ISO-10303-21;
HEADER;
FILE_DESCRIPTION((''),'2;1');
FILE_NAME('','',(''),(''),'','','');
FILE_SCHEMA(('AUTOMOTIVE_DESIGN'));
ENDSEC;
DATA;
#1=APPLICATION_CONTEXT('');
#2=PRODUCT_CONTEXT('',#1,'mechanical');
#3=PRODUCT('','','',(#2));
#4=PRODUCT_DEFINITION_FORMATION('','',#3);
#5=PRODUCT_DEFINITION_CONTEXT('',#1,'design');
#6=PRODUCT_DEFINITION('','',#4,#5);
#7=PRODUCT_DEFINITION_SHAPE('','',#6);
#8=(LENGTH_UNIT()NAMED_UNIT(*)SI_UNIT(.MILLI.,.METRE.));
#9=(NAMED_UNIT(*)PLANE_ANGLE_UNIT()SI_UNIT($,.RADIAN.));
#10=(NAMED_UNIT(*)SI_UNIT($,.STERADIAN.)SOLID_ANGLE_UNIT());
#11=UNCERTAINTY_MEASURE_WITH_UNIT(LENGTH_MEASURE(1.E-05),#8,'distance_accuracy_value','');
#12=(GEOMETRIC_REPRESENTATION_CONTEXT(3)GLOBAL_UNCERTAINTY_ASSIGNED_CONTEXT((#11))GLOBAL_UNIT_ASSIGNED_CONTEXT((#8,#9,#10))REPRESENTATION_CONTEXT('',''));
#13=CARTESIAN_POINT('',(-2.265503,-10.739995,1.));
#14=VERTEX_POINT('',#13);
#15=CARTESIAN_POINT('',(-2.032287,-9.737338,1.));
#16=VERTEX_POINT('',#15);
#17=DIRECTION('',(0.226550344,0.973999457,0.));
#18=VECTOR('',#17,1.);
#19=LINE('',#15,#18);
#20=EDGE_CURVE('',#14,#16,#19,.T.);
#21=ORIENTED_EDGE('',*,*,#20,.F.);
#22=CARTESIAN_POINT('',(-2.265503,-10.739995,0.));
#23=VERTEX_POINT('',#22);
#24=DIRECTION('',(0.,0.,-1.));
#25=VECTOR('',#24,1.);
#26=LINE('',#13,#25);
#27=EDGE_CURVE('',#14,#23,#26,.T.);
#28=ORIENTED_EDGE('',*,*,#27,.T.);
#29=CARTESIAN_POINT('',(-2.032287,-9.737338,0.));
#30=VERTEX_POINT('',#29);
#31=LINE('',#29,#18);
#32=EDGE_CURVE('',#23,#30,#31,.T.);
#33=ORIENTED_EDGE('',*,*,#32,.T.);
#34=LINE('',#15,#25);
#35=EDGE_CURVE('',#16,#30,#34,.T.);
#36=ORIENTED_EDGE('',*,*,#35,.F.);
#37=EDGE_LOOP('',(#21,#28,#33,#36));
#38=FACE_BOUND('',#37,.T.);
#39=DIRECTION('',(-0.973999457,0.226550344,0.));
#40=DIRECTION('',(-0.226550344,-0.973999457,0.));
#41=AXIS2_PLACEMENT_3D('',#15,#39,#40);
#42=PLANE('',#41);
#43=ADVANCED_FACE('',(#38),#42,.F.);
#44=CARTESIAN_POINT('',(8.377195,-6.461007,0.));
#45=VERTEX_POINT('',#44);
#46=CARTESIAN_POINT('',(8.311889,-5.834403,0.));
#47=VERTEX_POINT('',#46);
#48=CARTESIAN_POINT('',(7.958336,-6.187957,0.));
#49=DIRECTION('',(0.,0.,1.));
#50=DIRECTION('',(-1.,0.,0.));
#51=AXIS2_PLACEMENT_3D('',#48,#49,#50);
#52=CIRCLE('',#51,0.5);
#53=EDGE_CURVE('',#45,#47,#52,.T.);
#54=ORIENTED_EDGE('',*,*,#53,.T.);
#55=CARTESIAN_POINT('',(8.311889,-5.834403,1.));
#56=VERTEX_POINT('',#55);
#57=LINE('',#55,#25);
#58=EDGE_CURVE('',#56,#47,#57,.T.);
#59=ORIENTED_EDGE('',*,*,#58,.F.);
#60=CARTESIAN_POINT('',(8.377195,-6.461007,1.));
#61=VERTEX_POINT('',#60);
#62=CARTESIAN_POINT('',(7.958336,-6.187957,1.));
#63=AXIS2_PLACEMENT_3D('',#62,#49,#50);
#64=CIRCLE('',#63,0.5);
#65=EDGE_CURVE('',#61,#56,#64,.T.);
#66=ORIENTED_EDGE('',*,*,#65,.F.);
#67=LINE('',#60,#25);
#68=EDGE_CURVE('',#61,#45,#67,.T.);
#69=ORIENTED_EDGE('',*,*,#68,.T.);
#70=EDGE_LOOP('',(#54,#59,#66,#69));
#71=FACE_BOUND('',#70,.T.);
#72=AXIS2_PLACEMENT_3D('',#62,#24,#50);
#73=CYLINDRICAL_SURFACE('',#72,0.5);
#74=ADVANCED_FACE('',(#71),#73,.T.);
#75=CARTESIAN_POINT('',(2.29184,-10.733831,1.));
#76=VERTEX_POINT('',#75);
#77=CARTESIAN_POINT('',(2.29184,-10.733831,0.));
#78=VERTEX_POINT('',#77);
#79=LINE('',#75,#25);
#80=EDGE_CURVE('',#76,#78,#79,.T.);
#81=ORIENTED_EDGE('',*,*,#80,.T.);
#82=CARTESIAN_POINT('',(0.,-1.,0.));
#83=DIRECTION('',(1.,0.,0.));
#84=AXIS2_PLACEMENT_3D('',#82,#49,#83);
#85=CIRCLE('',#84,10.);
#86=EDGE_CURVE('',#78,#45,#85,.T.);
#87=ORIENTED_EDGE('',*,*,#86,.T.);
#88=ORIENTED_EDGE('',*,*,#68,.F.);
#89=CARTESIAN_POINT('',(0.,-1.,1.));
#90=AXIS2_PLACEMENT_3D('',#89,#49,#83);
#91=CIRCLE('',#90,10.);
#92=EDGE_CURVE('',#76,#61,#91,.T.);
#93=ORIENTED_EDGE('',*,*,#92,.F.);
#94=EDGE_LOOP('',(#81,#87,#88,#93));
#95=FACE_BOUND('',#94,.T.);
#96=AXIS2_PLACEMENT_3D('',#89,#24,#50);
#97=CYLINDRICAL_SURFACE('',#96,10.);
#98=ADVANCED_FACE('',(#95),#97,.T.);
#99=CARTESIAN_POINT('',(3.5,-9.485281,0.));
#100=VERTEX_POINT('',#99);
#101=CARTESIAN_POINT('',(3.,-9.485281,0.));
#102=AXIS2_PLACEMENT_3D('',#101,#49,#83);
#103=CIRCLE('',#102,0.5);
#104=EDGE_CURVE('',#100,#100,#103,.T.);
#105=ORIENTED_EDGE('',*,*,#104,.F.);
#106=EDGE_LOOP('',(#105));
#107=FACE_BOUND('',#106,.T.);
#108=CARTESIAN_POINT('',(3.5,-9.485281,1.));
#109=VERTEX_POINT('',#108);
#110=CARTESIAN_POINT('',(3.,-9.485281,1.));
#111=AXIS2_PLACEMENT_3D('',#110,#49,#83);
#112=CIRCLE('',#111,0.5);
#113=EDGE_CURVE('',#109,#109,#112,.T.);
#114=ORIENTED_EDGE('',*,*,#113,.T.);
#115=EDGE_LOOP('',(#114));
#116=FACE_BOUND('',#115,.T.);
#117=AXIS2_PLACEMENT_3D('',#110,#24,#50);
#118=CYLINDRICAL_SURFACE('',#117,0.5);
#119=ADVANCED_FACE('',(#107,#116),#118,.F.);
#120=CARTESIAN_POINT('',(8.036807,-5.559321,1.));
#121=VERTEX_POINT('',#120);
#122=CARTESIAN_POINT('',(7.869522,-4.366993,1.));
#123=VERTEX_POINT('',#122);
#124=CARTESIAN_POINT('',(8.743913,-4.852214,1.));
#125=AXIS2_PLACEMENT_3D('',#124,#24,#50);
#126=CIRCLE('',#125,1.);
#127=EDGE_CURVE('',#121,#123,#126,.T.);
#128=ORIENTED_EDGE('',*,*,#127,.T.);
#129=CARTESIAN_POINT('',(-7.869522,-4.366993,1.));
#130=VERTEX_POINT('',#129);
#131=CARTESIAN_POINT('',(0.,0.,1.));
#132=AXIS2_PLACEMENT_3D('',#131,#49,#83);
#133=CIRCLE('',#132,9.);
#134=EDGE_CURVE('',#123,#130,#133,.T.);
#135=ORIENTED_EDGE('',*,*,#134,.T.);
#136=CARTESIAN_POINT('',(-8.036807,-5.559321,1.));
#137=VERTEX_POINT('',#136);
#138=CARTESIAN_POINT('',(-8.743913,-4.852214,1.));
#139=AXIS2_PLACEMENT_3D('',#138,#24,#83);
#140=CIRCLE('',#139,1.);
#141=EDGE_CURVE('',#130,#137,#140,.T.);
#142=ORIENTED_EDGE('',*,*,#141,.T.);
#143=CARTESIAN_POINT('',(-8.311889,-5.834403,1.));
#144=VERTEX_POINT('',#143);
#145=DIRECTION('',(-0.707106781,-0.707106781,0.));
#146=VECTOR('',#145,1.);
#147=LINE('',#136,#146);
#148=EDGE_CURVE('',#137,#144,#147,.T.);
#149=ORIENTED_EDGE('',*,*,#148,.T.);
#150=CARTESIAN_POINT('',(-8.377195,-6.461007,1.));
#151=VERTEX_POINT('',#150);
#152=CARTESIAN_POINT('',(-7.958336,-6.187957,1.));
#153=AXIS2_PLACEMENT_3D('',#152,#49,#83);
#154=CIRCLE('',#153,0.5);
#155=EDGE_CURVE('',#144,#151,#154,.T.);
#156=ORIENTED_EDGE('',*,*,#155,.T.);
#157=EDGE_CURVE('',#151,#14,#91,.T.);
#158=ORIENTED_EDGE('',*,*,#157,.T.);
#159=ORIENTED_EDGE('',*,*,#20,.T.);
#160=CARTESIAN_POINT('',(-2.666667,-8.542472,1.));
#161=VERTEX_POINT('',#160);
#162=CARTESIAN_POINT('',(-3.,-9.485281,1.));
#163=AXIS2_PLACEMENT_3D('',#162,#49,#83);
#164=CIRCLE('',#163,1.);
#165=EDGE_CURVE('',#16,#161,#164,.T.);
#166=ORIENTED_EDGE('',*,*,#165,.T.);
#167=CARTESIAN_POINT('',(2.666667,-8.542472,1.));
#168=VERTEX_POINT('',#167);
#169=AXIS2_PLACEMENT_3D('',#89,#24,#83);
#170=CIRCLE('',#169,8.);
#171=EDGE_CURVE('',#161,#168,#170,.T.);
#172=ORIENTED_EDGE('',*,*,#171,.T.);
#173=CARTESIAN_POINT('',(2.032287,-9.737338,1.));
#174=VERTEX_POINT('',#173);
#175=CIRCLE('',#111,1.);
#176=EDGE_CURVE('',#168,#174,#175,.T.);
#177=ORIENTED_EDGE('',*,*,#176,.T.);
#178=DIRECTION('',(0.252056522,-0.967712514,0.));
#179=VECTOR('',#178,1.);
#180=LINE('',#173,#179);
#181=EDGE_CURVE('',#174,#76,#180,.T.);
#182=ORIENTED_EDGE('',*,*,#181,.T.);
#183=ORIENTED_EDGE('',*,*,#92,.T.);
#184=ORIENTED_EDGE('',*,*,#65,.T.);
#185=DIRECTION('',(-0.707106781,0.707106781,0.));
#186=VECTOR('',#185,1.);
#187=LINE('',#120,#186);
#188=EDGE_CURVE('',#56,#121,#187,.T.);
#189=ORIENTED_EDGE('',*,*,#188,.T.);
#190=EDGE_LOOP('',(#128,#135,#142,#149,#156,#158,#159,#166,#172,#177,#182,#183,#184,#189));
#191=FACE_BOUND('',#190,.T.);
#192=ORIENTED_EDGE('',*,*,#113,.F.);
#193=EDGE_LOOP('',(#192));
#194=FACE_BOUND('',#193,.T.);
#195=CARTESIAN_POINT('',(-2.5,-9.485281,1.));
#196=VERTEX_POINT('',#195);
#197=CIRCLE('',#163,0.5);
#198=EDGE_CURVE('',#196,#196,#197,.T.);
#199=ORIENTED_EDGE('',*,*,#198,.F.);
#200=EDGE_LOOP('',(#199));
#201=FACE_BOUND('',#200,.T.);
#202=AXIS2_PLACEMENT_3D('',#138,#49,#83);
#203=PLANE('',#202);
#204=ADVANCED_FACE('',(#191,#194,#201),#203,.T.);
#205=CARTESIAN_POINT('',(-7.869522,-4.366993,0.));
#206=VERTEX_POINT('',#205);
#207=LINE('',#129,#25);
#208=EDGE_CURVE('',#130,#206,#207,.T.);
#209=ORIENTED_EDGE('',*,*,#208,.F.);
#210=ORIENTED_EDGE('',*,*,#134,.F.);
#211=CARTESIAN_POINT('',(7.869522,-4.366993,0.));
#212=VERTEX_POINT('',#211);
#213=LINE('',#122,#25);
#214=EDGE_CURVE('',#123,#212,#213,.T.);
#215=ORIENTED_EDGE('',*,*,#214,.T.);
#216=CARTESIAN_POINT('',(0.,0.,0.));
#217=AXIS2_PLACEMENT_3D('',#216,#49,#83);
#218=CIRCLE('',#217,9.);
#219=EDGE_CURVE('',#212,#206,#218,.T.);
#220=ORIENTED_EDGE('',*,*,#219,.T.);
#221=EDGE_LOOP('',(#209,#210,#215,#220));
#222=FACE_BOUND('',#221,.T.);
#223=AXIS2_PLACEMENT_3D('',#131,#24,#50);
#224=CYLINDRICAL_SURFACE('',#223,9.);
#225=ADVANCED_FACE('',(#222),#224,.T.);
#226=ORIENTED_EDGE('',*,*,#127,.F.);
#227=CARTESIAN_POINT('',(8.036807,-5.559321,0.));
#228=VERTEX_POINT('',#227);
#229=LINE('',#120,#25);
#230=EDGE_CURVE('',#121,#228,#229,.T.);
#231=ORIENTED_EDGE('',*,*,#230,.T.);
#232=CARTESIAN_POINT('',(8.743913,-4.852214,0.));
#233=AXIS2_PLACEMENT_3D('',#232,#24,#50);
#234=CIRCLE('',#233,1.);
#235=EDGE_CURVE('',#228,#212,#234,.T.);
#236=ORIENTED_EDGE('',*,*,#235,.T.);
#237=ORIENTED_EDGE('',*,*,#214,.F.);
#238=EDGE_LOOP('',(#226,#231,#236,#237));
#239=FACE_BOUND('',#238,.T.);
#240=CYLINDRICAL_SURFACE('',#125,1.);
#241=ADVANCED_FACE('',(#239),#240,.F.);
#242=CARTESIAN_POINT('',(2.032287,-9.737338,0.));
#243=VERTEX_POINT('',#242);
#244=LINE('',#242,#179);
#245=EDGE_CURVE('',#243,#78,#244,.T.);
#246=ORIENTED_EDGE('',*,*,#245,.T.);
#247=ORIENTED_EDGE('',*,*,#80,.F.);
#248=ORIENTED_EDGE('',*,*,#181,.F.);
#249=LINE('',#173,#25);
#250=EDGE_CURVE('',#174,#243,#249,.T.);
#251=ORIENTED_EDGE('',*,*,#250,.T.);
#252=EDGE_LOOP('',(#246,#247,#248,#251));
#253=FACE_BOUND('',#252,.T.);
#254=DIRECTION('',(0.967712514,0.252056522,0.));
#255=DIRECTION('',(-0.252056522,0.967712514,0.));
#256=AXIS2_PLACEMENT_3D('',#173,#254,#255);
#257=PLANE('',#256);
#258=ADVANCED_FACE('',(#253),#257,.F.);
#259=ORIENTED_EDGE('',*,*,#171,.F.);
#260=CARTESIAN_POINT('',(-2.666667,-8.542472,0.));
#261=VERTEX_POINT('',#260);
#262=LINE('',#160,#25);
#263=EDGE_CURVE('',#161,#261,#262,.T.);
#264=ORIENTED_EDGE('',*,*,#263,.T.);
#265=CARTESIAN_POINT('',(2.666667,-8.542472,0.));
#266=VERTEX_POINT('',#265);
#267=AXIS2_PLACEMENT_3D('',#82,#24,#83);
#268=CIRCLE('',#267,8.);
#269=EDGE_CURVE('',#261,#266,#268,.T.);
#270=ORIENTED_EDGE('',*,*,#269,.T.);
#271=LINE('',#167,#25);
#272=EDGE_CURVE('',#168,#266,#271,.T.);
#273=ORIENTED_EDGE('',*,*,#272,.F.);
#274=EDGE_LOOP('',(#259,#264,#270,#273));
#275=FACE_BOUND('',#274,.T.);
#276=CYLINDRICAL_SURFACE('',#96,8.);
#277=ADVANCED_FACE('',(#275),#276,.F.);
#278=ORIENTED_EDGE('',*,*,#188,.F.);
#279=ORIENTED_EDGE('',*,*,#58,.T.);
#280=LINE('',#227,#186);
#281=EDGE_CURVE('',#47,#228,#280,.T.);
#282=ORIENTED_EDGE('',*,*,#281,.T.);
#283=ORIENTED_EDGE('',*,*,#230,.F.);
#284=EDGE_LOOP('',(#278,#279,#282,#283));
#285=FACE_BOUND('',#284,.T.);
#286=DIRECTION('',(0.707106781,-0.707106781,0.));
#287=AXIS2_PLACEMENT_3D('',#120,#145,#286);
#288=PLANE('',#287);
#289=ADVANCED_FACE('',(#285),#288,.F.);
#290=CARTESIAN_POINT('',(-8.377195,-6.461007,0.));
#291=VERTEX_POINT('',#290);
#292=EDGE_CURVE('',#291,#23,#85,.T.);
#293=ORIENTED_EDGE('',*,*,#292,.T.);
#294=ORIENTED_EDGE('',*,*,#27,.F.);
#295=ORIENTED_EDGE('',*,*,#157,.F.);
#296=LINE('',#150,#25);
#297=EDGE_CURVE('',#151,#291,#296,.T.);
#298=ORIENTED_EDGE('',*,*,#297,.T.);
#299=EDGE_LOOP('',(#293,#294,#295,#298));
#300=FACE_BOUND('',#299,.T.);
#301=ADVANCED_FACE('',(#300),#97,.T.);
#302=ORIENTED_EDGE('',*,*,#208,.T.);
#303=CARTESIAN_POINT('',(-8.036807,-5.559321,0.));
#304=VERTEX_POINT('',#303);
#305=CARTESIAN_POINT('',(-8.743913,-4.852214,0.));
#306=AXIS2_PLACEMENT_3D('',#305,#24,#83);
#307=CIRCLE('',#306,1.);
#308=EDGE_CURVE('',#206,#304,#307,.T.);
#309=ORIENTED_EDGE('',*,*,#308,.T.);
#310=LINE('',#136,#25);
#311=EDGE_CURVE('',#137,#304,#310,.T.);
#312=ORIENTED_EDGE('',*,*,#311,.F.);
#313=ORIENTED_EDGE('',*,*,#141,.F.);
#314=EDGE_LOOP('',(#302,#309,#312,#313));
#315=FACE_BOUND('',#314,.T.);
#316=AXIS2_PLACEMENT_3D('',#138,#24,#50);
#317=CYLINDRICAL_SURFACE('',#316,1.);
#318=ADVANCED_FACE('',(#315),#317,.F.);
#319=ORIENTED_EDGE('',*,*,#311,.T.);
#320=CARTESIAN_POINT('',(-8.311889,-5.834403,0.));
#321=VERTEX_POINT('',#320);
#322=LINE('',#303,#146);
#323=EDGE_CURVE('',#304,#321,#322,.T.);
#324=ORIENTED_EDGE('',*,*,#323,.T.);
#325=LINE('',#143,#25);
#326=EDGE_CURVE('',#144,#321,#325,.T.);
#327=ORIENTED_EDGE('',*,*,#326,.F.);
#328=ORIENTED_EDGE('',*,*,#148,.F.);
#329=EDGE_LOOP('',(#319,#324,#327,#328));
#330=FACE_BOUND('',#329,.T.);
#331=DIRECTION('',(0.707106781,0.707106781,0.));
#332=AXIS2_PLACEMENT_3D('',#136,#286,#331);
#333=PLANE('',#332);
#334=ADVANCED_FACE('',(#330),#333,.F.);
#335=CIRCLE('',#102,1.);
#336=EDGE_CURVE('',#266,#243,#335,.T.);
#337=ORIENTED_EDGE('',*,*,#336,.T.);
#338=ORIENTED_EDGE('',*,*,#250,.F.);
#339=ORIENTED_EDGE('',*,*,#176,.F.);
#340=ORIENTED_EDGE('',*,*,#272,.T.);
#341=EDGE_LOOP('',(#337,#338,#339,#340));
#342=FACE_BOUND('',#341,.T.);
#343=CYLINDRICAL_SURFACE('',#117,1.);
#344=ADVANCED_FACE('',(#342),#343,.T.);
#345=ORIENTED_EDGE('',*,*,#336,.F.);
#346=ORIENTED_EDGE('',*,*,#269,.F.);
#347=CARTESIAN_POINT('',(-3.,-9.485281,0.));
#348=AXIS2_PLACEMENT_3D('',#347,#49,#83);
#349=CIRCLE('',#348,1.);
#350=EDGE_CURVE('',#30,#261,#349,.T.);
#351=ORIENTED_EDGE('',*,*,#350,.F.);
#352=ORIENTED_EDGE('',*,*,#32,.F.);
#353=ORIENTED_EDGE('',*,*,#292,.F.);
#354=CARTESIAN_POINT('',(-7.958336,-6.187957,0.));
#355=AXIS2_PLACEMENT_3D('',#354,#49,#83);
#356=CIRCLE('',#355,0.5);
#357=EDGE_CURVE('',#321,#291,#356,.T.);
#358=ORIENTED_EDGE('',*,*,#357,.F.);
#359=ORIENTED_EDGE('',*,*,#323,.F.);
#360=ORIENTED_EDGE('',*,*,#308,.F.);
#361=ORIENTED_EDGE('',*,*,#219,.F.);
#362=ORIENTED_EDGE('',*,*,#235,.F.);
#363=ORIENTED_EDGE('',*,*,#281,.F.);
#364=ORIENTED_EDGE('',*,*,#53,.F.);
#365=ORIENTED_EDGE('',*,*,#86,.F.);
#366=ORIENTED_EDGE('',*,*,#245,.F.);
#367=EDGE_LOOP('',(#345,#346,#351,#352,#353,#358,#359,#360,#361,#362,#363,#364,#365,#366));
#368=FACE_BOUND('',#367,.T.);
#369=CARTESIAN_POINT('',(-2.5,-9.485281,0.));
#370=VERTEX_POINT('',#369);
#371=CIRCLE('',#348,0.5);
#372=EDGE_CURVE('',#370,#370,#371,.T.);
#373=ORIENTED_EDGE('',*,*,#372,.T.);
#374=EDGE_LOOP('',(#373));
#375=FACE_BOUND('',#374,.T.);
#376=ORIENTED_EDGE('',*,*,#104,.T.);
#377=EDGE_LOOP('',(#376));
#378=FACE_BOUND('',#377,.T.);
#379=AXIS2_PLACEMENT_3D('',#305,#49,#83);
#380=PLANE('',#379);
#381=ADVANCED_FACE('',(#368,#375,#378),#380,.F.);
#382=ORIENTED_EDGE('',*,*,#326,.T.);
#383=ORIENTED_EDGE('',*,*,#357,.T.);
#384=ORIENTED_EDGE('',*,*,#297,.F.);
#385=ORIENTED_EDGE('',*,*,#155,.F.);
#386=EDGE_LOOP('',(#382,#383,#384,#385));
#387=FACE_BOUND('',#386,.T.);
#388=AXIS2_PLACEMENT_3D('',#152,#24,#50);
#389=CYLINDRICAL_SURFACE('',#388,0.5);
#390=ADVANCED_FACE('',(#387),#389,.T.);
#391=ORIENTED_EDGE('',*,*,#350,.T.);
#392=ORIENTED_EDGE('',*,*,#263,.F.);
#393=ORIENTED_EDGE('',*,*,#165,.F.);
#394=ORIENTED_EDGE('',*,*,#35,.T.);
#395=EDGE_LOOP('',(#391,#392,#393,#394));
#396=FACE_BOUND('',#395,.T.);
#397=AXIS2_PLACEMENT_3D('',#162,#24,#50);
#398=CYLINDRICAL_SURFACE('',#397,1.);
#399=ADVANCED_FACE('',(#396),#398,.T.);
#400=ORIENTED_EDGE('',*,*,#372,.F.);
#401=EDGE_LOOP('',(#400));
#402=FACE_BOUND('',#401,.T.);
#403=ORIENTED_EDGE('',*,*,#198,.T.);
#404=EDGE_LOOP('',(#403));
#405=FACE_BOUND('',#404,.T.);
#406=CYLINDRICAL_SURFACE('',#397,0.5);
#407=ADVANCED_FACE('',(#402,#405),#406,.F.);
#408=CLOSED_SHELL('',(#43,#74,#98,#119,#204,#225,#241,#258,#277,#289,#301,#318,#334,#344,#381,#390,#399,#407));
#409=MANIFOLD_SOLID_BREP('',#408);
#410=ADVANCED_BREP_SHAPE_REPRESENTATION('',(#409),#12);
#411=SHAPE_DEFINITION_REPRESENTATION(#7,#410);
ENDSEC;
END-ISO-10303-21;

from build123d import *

# Parameters (mm, degrees)
SKETCH1_R           = 0.5
BOSS_EXTRUDE1_DEPTH = 1


with BuildPart() as part:
    # Sketch1 → Boss-Extrude1 (new body)
    with BuildSketch(Plane.XY):
        with BuildLine():
            Line((-8.036806523, -5.559320723), (-8.311889028, -5.834403228))
            ThreePointArc((-8.311889028, -5.834403228), (-8.455641966, -6.136125974), (-8.377195408, -6.461006967))
            ThreePointArc((-8.377195408, -6.461006967), (-5.735345972, -9.191813388), (-2.265503441, -10.739994567))
            Line((-2.265503441, -10.739994567), (-2.032287486, -9.737337896))
            ThreePointArc((-2.032287486, -9.737337896), (-2.116763903, -9.016352811), (-2.666666667, -8.542472333))
            ThreePointArc((-2.666666667, -8.542472333), (0, 7), (2.666666667, -8.542472333))
            ThreePointArc((2.666666667, -8.542472333), (2.116763903, -9.016352811), (2.032287486, -9.737337896))
            Line((2.032287486, -9.737337896), (2.291840404, -10.733831084))
            ThreePointArc((2.291840404, -10.733831084), (5.746419561, -9.184049256), (8.377195408, -6.461006967))
            ThreePointArc((8.377195408, -6.461006967), (8.455641966, -6.136125974), (8.311889028, -5.834403228))
            Line((8.311889028, -5.834403228), (8.036806523, -5.559320723))
            ThreePointArc((8.036806523, -5.559320723), (7.753612497, -4.991153897), (7.869521974, -4.366992547))
            ThreePointArc((7.869521974, -4.366992547), (0, 9), (-7.869521974, -4.366992547))
            ThreePointArc((-7.869521974, -4.366992547), (-7.753612497, -4.991153897), (-8.036806523, -5.559320723))
        make_face()
        with Locations((-3, -9.485281374)):
            Circle(SKETCH1_R, mode=Mode.SUBTRACT)
        with Locations((3, -9.485281374)):
            Circle(SKETCH1_R, mode=Mode.SUBTRACT)
    extrude(amount=BOSS_EXTRUDE1_DEPTH)


solid = part.part
